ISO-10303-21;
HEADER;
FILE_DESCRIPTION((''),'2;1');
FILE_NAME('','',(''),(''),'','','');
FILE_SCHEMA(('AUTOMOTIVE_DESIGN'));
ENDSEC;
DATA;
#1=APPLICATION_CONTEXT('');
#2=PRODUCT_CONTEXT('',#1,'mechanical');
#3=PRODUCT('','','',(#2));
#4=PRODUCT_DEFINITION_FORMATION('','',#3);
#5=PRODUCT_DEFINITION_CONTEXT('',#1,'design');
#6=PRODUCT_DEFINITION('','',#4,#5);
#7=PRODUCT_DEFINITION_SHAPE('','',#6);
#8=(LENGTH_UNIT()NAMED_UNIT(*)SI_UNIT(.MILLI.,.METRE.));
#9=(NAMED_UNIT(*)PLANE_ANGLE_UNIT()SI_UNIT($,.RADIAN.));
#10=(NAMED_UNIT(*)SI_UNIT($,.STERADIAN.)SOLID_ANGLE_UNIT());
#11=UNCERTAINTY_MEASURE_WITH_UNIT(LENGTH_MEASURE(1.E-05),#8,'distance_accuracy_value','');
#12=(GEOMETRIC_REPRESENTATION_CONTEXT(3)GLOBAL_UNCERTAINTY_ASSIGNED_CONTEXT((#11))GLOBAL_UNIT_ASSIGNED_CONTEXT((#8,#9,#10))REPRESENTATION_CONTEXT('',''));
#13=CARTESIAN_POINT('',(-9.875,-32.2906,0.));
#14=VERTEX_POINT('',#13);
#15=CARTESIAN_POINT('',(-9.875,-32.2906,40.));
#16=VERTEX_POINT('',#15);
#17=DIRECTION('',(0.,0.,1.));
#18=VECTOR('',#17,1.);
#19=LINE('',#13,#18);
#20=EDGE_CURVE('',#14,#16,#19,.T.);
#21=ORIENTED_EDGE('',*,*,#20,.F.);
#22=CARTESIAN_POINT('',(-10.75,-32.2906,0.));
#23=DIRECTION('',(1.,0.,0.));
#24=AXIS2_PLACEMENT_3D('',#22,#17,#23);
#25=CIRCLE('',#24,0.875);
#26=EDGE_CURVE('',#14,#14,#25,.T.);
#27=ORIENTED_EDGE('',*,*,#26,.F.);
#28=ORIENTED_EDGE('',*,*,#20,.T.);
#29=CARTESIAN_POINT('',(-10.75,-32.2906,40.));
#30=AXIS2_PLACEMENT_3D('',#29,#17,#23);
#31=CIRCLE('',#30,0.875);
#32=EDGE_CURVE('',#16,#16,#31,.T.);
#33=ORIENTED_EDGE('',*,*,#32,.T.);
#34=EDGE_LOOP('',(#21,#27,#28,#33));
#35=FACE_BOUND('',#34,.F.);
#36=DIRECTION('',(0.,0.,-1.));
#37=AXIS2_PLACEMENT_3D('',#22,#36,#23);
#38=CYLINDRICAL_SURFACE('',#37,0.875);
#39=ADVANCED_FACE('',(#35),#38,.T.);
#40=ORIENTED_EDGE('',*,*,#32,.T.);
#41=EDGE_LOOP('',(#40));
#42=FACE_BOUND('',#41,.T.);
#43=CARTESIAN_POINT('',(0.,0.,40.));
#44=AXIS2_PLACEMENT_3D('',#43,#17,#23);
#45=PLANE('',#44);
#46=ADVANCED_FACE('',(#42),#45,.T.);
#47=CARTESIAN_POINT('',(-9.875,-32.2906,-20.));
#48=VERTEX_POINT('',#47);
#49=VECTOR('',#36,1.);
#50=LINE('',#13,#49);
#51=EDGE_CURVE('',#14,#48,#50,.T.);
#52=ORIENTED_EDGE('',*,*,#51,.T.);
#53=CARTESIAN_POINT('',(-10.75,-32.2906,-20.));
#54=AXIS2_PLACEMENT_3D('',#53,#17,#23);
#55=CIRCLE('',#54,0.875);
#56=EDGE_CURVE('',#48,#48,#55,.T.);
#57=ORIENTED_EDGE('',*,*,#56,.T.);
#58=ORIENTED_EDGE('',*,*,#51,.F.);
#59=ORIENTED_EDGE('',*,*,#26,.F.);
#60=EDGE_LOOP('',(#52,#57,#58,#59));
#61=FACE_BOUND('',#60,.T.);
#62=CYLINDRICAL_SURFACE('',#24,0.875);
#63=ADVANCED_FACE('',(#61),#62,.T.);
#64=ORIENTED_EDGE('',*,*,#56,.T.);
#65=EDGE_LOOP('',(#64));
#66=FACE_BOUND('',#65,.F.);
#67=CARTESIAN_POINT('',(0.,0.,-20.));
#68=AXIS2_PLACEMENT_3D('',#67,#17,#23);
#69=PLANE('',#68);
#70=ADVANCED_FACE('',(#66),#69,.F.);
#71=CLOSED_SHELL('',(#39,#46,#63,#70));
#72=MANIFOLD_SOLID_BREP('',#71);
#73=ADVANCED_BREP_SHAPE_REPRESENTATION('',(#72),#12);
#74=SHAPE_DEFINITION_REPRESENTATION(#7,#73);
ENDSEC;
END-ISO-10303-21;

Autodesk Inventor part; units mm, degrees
ref_plane "YZ Plane" through (0, 0, 0) normal (1, 0, 0) x (0, 1, 0)
ref_plane "XZ Plane" through (0, 0, 0) normal (0, 1, 0) x (-1, 0, 0)
ref_plane "XY Plane" through (0, 0, 0) normal (0, 0, 1) x (1, 0, 0)
sketch "Sketch1" plane through (0, 0, 0) normal (0, 0, 1) x (1, 0, 0)
  circle A0 centre (-10.75, -32.2906) radius 2.1 projected
  circle A1 centre (-10.75, -32.2906) radius 0.875
  point P0 (0, 0)
  dimension "d0" = 1.75
extrude "Extrusion1" add sketch "Sketch1" along normal blind 40 and the other way blind 20 contours A1
properties part number "filament piece"
